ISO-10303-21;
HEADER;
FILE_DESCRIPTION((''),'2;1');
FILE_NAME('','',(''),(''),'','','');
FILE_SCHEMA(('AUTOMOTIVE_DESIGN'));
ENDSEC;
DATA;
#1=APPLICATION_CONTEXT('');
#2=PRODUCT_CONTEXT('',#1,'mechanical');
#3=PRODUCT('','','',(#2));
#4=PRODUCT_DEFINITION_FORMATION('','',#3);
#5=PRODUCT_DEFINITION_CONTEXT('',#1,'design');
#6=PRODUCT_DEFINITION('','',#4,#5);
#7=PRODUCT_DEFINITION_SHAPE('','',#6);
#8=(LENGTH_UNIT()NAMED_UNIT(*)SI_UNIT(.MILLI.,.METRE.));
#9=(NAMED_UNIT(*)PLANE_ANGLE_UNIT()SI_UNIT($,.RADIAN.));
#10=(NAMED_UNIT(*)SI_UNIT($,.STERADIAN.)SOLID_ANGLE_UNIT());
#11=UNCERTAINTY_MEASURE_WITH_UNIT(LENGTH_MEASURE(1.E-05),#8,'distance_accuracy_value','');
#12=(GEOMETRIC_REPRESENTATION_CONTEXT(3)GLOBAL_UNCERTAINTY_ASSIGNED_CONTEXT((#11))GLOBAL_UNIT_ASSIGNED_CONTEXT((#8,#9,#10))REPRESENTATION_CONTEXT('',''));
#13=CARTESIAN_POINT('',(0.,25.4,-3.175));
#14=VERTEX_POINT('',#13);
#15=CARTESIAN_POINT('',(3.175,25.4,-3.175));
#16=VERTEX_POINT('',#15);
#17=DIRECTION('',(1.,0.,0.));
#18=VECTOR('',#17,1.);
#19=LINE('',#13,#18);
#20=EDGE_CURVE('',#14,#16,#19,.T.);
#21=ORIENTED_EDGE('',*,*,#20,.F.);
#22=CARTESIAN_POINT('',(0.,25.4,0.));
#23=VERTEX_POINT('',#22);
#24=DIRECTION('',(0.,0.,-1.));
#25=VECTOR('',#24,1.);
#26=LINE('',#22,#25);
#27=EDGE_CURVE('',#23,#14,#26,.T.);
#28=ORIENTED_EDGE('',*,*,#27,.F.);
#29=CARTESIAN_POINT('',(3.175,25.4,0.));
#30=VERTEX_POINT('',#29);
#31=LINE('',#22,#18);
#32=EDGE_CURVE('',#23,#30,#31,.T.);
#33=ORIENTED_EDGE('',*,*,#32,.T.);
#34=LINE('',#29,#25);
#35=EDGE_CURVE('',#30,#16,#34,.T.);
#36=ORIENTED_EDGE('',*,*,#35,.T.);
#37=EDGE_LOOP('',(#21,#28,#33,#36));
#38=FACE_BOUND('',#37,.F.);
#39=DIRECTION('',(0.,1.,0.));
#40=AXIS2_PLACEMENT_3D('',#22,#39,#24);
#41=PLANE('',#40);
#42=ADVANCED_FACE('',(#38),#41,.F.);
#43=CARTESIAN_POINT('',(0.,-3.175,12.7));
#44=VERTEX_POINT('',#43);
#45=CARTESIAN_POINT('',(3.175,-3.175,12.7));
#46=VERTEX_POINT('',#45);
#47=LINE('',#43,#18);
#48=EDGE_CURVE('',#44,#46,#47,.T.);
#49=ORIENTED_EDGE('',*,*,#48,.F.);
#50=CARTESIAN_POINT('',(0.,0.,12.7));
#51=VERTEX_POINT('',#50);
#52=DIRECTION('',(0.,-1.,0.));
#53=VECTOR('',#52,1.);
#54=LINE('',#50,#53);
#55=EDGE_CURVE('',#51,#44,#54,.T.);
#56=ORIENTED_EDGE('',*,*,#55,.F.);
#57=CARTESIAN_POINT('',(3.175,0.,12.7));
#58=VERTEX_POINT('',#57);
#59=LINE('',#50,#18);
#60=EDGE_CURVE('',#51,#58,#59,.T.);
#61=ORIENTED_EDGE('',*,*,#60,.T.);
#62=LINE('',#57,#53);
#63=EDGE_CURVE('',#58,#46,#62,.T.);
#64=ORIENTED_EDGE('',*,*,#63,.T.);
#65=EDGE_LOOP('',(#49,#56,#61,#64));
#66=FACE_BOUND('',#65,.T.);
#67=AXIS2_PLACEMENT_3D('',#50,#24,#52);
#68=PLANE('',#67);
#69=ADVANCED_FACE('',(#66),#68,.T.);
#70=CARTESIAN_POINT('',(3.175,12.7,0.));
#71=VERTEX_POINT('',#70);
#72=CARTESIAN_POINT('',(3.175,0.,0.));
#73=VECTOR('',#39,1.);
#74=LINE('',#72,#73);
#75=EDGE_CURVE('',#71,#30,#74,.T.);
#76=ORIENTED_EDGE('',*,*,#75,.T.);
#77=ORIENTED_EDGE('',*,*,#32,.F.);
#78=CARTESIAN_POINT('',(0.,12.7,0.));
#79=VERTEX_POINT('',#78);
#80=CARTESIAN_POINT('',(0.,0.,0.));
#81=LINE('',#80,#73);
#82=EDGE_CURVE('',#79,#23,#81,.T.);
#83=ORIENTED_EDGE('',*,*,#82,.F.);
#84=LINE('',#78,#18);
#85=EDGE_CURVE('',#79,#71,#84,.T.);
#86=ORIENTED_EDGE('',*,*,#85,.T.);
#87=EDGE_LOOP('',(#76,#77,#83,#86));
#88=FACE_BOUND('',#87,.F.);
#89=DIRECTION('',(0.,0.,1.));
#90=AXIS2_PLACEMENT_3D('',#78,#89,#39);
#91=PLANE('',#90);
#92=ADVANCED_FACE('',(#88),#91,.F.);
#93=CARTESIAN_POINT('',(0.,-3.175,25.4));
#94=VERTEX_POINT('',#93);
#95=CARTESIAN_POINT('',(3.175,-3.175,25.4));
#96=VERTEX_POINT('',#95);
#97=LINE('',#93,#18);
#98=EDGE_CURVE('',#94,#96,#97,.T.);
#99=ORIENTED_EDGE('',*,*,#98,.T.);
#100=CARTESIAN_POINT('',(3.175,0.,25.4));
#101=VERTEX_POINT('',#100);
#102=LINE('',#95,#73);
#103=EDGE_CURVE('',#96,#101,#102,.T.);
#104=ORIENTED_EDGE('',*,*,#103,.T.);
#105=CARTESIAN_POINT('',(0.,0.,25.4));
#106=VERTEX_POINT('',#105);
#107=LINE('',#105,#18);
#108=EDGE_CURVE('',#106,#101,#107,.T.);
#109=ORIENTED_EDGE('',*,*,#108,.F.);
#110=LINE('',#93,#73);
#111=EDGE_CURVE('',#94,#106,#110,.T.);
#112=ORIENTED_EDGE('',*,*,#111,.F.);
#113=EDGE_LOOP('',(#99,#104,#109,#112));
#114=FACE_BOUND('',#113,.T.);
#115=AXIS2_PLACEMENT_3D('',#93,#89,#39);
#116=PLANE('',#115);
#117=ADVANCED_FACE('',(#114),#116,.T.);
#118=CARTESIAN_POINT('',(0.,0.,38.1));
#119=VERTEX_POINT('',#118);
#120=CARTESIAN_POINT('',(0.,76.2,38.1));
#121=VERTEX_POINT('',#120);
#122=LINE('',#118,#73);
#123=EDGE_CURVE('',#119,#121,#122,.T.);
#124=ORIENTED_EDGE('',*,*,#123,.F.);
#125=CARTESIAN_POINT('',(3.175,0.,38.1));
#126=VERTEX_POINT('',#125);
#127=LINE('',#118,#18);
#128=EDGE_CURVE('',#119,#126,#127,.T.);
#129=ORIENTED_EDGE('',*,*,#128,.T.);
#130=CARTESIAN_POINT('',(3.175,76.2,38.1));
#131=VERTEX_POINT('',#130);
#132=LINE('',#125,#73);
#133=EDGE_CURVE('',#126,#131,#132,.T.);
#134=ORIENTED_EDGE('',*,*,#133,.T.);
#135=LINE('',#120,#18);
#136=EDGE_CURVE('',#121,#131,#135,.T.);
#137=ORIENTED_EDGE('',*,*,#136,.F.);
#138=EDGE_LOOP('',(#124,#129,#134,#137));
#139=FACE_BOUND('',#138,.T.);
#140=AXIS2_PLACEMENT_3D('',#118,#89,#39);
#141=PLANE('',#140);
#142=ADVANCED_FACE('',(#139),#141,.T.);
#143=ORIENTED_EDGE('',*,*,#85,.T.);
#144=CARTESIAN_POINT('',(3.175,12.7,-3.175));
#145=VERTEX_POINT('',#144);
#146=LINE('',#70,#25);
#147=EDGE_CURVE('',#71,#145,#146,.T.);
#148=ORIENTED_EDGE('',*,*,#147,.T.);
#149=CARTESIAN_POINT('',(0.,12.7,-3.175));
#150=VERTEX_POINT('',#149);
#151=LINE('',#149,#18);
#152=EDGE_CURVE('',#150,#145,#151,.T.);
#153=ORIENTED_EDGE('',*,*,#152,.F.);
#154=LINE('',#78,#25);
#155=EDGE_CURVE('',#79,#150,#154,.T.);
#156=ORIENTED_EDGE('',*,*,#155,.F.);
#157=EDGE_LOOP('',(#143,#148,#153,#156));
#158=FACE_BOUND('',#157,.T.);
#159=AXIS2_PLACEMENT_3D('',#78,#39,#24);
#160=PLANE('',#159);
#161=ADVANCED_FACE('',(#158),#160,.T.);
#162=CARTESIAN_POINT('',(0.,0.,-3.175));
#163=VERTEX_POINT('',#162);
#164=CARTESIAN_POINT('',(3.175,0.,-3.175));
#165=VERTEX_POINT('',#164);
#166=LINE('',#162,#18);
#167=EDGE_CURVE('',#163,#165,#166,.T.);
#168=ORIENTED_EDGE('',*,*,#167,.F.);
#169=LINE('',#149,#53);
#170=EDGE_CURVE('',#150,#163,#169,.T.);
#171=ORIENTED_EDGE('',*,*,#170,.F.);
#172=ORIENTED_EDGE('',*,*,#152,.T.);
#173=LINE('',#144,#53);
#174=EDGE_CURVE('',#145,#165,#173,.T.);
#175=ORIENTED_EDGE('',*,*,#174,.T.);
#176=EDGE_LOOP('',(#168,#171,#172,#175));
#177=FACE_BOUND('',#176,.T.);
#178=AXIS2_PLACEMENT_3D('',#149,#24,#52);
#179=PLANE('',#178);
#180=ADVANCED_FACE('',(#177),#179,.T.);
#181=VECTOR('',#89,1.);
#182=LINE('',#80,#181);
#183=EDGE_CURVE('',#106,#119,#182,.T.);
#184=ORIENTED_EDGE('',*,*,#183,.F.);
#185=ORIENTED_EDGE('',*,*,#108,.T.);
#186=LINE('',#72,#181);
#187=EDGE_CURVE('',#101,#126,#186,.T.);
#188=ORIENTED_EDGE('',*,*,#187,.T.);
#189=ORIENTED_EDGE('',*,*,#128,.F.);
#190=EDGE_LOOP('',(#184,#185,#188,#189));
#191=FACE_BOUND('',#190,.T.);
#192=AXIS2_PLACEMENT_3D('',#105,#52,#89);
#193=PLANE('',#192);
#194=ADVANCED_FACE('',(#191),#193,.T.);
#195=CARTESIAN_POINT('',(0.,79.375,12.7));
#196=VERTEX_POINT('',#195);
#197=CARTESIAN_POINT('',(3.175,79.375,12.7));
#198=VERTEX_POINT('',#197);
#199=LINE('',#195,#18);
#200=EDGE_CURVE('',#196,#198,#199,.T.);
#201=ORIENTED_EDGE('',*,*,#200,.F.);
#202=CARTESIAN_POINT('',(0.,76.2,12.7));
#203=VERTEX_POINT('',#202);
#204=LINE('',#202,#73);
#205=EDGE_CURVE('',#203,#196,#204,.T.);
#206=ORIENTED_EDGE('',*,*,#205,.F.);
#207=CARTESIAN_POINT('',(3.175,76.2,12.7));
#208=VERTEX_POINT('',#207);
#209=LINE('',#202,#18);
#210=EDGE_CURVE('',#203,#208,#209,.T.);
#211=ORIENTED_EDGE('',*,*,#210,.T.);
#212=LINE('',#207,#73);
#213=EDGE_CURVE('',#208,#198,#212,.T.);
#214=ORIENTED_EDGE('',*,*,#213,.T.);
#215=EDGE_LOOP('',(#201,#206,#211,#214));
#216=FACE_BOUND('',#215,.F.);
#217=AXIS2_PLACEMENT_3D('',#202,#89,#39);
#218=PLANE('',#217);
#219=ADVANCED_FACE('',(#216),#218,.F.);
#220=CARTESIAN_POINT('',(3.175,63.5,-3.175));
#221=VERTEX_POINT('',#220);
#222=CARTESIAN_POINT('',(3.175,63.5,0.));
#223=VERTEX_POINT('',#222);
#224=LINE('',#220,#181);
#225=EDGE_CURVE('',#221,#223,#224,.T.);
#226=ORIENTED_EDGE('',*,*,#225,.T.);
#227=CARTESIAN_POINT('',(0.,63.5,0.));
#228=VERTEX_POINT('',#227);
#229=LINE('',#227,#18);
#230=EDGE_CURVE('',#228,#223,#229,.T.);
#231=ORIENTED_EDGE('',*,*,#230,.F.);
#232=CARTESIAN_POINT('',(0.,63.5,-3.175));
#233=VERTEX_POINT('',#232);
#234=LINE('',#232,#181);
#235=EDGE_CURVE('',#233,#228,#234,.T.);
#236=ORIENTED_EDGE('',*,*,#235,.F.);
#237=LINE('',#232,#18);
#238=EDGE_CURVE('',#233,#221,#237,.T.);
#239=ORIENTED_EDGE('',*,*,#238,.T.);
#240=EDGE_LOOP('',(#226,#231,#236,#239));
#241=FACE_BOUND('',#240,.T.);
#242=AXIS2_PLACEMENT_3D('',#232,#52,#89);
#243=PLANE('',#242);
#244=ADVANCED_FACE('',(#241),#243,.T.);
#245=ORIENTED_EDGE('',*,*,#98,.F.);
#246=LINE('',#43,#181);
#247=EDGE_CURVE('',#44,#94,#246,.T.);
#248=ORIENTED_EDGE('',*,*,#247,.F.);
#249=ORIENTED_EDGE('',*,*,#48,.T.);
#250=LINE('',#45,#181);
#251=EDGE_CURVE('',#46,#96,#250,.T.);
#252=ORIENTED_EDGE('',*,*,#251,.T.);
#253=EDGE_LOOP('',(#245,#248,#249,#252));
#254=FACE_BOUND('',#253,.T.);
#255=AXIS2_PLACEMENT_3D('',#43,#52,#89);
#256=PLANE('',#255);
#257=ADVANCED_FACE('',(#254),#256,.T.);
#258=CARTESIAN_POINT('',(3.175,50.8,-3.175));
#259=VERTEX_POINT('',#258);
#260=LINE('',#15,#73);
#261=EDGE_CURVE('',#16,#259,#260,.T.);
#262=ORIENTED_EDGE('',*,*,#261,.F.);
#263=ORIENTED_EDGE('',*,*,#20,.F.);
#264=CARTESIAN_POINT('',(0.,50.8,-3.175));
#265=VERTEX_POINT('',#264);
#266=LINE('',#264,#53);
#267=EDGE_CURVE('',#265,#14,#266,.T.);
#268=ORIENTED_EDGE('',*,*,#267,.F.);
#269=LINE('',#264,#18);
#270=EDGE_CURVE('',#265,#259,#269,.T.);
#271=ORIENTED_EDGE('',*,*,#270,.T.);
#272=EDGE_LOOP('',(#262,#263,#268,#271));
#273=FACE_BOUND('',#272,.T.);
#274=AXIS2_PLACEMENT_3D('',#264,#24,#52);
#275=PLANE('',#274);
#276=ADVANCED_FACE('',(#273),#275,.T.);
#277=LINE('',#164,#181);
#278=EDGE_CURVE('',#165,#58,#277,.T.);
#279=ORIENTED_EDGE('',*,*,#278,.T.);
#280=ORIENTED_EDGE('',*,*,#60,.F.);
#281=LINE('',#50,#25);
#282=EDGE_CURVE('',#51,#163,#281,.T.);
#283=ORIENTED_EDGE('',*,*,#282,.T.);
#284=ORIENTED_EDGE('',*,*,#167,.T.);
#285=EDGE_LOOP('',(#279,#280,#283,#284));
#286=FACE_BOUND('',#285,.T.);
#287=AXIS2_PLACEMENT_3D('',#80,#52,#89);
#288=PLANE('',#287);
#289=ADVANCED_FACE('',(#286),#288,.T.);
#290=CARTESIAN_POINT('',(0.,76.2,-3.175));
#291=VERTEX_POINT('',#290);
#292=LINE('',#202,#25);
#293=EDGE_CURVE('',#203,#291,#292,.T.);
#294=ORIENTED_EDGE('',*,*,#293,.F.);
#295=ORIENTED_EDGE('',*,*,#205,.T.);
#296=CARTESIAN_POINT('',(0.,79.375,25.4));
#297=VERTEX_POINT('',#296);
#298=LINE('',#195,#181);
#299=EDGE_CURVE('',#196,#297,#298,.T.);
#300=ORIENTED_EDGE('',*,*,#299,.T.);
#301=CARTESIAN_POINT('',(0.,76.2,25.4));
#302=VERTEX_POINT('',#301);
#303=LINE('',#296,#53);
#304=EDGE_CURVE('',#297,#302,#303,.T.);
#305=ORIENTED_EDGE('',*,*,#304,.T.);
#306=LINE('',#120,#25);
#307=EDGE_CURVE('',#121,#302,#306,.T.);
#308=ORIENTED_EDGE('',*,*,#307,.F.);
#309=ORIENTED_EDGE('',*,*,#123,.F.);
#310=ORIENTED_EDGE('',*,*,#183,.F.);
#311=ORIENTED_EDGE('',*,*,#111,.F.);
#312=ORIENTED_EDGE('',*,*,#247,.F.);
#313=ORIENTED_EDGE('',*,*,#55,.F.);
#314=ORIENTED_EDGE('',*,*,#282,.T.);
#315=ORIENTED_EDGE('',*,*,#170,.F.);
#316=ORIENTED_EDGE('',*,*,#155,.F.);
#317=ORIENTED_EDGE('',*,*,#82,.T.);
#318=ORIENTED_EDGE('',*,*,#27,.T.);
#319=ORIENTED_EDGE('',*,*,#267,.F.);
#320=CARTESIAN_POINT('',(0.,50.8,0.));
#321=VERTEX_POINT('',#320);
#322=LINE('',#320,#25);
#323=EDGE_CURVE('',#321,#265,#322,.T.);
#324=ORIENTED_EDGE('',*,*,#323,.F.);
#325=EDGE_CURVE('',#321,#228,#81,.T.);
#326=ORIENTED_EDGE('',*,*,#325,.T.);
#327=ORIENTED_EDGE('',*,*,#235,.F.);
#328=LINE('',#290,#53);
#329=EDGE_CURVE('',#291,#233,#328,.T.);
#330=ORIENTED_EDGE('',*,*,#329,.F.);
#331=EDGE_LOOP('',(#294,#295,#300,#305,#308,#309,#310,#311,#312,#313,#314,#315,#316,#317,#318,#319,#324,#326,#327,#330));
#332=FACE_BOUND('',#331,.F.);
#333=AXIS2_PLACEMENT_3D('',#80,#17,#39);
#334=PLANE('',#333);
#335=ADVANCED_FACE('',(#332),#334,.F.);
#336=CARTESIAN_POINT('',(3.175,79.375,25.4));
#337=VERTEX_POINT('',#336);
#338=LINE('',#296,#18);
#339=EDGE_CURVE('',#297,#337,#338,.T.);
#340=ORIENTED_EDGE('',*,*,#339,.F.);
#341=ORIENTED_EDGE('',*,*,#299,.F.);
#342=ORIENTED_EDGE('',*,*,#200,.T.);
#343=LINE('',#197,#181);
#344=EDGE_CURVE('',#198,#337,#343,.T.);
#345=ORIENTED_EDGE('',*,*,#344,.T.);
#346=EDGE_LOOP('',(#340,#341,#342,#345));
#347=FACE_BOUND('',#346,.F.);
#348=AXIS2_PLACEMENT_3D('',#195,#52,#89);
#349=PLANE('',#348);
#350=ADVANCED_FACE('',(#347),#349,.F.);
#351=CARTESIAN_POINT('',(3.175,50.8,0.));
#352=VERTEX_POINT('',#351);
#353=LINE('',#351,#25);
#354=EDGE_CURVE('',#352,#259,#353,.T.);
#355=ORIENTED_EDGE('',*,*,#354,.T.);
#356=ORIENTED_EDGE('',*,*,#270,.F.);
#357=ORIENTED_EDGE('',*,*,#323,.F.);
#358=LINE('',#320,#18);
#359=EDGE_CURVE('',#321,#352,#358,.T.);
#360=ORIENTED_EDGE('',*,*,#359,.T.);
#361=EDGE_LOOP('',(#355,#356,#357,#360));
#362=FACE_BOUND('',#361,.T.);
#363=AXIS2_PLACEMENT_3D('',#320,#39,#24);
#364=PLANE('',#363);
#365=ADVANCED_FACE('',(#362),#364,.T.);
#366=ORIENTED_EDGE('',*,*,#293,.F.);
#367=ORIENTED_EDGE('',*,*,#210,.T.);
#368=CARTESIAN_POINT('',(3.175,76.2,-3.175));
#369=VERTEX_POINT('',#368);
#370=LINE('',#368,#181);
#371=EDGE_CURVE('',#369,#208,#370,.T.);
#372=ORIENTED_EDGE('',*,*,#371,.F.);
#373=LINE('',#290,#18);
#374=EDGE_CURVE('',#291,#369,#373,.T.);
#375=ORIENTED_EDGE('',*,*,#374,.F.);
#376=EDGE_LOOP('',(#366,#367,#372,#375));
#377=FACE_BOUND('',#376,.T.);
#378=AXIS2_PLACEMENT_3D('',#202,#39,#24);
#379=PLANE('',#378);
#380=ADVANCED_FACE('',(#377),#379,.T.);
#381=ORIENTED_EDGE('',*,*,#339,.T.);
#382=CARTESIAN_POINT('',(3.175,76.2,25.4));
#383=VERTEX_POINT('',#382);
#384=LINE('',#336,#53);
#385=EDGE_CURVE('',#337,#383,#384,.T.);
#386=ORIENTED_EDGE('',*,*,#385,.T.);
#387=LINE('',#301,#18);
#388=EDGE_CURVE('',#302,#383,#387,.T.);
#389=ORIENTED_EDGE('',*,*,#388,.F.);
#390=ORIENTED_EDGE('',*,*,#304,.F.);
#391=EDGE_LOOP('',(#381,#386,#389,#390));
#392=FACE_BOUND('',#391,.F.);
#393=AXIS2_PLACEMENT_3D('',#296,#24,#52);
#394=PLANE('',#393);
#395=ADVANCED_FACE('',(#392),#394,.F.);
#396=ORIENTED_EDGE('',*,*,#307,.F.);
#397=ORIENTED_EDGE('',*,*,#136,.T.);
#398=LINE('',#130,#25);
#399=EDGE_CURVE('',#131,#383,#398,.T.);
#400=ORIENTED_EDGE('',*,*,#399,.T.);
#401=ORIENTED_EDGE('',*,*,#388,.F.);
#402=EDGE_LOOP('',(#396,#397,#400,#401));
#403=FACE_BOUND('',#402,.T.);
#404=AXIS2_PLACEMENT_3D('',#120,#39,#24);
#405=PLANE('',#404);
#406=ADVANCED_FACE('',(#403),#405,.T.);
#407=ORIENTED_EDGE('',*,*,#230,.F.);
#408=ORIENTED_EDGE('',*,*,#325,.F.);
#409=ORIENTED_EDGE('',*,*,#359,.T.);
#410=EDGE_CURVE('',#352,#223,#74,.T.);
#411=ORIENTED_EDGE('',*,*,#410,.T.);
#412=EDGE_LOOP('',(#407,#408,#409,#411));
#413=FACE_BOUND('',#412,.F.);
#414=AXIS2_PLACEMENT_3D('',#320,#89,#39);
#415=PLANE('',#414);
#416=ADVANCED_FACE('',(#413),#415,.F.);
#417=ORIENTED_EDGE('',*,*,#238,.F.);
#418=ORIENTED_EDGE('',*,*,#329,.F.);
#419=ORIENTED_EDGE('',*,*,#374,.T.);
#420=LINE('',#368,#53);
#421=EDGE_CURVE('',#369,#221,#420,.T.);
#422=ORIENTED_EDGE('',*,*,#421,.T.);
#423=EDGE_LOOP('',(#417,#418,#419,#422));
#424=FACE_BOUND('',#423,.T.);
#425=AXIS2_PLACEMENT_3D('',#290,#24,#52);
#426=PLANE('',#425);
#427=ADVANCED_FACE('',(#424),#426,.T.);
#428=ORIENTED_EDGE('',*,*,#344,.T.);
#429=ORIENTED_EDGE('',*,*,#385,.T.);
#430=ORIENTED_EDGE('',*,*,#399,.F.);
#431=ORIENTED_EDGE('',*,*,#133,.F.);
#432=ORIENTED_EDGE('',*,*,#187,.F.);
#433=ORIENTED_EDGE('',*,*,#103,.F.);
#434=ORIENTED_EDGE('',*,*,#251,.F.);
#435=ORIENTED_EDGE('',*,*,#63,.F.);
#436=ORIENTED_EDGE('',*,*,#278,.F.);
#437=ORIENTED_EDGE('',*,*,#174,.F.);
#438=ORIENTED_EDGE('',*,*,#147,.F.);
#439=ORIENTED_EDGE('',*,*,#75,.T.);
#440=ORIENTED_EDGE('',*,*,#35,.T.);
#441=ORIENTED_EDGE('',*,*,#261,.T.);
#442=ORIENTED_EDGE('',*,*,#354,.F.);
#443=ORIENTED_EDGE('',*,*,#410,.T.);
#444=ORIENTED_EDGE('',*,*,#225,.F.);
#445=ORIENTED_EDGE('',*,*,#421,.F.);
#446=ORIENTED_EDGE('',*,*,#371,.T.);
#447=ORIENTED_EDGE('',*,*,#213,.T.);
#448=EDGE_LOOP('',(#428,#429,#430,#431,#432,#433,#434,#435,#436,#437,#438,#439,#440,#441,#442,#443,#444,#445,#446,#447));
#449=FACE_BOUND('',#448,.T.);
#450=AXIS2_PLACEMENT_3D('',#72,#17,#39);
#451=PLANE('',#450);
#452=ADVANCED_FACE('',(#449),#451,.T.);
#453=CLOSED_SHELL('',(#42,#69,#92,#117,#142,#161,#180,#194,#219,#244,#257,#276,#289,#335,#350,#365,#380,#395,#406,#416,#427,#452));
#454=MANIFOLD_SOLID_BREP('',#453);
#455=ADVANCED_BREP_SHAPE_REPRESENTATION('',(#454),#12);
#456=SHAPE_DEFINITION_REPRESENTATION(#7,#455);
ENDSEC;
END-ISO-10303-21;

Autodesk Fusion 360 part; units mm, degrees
sketch "Sketch1" plane through (0, 0, 0) normal (1, 0, 0) x (0, 1, 0)
  line L0 (0, 0) -> (76.2, 0)
  line L1 (0, 0) -> (12.7, 0)
  line L2 (12.7, 0) -> (12.7, -3.175)
  line L3 (12.7, -3.175) -> (0, -3.175)
  line L4 (0, -3.175) -> (0, 0)
  line L5 (12.7, 0) -> (25.4, 0)
  line L6 (25.4, 0) -> (25.4, -3.175)
  line L7 (25.4, -3.175) -> (38.1, -3.175)
  line L8 (76.2, 0) -> (76.2, -3.175)
  line L9 (76.2, -3.175) -> (63.5, -3.175)
  line L10 (63.5, -3.175) -> (63.5, 0)
  line L11 (63.5, 0) -> (50.8, 0)
  line L12 (50.8, 0) -> (50.8, -3.175)
  line L13 (50.8, -3.175) -> (38.1, -3.175)
  line L14 (0, 0) -> (0, 38.1)
  line L15 (0, 38.1) -> (76.2, 38.1)
  line L16 (76.2, 38.1) -> (76.2, 0)
  line L17 (0, 0) -> (0, 12.7)
  line L18 (0, 12.7) -> (-3.175, 12.7)
  line L19 (-3.175, 12.7) -> (-3.175, 25.4)
  line L20 (-3.175, 25.4) -> (0, 25.4)
  line L21 (76.2, 0) -> (76.2, 12.7)
  line L22 (76.2, 12.7) -> (79.375, 12.7)
  line L23 (79.375, 12.7) -> (79.375, 25.4)
  line L24 (79.375, 25.4) -> (76.2, 25.4)
  dimension "d1" = 76.2
  dimension "d2" = 12.7
  dimension "d3" = 3.175
  dimension "d4" = 12.7
  dimension "d5" = 3.175
  dimension "d6" = 12.7
  dimension "d7" = 3.175
  dimension "d8" = 12.7
  dimension "d9" = 12.7
  dimension "d10" = 3.175
  dimension "d11" = 38.1
  dimension "d12" = 12.7
  dimension "d13" = 3.175
  dimension "d14" = 12.7
  dimension "d15" = 12.7
  dimension "d16" = 3.175
  dimension "d17" = 12.7
extrude "Extrude1" add sketch "Sketch1" along normal blind 3.175
